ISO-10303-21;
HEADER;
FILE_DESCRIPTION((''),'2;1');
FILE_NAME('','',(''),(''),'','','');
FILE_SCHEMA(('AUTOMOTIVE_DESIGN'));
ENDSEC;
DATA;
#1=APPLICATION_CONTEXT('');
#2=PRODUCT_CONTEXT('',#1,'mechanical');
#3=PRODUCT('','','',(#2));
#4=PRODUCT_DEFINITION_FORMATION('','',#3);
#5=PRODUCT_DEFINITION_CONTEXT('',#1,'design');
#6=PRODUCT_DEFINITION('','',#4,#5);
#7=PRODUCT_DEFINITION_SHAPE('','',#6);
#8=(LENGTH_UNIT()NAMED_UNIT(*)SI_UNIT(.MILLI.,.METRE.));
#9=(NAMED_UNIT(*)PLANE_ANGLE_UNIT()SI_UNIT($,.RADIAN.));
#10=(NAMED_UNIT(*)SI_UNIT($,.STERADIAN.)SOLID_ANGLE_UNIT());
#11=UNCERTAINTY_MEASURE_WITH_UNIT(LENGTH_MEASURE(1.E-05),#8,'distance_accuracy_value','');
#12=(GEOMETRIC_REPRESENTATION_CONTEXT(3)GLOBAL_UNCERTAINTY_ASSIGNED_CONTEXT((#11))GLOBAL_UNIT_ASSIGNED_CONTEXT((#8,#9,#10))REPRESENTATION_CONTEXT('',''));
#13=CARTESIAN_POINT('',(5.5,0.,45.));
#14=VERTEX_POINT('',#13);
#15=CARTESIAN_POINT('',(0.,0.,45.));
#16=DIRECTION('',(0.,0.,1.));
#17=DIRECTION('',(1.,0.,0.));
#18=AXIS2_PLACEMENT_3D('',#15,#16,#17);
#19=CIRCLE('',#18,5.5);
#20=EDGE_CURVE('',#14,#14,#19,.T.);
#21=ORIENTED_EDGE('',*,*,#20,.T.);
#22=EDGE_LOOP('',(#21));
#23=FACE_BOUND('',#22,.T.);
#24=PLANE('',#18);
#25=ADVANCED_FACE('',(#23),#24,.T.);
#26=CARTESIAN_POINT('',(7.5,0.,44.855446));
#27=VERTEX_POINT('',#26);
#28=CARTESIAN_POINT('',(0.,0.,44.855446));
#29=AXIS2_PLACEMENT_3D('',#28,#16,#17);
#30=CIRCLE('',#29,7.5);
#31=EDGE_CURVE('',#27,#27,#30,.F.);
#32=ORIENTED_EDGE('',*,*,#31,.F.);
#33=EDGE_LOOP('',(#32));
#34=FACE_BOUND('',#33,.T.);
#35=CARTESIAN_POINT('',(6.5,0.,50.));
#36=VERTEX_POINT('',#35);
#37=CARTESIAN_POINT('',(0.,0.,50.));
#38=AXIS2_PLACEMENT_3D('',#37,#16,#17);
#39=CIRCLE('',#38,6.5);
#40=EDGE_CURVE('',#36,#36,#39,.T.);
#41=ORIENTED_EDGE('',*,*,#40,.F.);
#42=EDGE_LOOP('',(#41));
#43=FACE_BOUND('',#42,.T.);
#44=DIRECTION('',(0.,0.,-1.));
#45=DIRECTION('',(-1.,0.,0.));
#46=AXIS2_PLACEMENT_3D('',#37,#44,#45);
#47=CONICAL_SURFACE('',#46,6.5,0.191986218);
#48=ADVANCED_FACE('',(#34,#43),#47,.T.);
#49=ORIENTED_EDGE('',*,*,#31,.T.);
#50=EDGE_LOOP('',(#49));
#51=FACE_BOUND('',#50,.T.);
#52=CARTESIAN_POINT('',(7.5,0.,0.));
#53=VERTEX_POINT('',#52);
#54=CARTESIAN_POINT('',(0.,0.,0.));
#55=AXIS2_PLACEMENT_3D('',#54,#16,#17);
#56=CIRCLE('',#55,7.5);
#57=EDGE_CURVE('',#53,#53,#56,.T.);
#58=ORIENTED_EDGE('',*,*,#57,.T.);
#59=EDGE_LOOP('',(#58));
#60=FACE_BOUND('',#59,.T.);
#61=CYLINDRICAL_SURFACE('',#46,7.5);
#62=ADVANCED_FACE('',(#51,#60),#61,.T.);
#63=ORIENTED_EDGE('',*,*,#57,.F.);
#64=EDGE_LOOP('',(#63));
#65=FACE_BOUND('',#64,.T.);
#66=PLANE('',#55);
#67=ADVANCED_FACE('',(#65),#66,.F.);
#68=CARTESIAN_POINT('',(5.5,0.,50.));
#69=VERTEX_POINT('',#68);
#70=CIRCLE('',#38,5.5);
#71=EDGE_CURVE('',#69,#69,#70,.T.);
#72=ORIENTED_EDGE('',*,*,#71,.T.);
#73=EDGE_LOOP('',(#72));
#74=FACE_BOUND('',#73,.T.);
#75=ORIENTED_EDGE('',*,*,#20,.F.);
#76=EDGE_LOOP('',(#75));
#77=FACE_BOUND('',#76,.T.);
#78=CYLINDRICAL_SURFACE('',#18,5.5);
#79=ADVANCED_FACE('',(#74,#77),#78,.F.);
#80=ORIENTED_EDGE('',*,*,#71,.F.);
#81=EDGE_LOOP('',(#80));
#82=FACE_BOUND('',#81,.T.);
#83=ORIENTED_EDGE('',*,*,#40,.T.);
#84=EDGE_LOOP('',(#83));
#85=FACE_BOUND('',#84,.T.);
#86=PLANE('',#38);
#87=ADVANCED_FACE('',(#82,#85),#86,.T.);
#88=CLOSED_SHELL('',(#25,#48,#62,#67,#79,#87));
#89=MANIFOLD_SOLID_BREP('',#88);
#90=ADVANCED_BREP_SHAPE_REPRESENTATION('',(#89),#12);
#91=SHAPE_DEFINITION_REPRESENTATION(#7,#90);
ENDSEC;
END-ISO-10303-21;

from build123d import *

# Parameters (mm, degrees)
SKETCH1_R           = 7.5
BOSS_EXTRUDE1_DEPTH = 50
SKETCH2_R           = 5.5
CUT_EXTRUDE1_DEPTH  = 5
CHAMFER1_SIZE       = 1
CHAMFER1_SIZE2      = 5.144554016


with BuildPart() as part:
    # Sketch1 → Boss-Extrude1 (new body)
    with BuildSketch(Plane.XY):
        Circle(SKETCH1_R)
    extrude(amount=BOSS_EXTRUDE1_DEPTH)

    # Sketch2 → Cut-Extrude1 (cut)
    with BuildSketch(Plane.XY.offset(50)):
        Circle(SKETCH2_R)
    extrude(amount=-CUT_EXTRUDE1_DEPTH, mode=Mode.SUBTRACT)

    # Chamfer1
    chamfer1_edges = [part.edges().sort_by_distance(p)[0] for p in [
        (-7.5, 0, 50),
    ]]
    chamfer1_side = [part.faces().sort_by_distance(p)[0] for p in [
        (-7.287867966, 0, 50),
    ]]
    chamfer(chamfer1_edges, length=CHAMFER1_SIZE, length2=CHAMFER1_SIZE2, reference=chamfer1_side[0])


solid = part.part
